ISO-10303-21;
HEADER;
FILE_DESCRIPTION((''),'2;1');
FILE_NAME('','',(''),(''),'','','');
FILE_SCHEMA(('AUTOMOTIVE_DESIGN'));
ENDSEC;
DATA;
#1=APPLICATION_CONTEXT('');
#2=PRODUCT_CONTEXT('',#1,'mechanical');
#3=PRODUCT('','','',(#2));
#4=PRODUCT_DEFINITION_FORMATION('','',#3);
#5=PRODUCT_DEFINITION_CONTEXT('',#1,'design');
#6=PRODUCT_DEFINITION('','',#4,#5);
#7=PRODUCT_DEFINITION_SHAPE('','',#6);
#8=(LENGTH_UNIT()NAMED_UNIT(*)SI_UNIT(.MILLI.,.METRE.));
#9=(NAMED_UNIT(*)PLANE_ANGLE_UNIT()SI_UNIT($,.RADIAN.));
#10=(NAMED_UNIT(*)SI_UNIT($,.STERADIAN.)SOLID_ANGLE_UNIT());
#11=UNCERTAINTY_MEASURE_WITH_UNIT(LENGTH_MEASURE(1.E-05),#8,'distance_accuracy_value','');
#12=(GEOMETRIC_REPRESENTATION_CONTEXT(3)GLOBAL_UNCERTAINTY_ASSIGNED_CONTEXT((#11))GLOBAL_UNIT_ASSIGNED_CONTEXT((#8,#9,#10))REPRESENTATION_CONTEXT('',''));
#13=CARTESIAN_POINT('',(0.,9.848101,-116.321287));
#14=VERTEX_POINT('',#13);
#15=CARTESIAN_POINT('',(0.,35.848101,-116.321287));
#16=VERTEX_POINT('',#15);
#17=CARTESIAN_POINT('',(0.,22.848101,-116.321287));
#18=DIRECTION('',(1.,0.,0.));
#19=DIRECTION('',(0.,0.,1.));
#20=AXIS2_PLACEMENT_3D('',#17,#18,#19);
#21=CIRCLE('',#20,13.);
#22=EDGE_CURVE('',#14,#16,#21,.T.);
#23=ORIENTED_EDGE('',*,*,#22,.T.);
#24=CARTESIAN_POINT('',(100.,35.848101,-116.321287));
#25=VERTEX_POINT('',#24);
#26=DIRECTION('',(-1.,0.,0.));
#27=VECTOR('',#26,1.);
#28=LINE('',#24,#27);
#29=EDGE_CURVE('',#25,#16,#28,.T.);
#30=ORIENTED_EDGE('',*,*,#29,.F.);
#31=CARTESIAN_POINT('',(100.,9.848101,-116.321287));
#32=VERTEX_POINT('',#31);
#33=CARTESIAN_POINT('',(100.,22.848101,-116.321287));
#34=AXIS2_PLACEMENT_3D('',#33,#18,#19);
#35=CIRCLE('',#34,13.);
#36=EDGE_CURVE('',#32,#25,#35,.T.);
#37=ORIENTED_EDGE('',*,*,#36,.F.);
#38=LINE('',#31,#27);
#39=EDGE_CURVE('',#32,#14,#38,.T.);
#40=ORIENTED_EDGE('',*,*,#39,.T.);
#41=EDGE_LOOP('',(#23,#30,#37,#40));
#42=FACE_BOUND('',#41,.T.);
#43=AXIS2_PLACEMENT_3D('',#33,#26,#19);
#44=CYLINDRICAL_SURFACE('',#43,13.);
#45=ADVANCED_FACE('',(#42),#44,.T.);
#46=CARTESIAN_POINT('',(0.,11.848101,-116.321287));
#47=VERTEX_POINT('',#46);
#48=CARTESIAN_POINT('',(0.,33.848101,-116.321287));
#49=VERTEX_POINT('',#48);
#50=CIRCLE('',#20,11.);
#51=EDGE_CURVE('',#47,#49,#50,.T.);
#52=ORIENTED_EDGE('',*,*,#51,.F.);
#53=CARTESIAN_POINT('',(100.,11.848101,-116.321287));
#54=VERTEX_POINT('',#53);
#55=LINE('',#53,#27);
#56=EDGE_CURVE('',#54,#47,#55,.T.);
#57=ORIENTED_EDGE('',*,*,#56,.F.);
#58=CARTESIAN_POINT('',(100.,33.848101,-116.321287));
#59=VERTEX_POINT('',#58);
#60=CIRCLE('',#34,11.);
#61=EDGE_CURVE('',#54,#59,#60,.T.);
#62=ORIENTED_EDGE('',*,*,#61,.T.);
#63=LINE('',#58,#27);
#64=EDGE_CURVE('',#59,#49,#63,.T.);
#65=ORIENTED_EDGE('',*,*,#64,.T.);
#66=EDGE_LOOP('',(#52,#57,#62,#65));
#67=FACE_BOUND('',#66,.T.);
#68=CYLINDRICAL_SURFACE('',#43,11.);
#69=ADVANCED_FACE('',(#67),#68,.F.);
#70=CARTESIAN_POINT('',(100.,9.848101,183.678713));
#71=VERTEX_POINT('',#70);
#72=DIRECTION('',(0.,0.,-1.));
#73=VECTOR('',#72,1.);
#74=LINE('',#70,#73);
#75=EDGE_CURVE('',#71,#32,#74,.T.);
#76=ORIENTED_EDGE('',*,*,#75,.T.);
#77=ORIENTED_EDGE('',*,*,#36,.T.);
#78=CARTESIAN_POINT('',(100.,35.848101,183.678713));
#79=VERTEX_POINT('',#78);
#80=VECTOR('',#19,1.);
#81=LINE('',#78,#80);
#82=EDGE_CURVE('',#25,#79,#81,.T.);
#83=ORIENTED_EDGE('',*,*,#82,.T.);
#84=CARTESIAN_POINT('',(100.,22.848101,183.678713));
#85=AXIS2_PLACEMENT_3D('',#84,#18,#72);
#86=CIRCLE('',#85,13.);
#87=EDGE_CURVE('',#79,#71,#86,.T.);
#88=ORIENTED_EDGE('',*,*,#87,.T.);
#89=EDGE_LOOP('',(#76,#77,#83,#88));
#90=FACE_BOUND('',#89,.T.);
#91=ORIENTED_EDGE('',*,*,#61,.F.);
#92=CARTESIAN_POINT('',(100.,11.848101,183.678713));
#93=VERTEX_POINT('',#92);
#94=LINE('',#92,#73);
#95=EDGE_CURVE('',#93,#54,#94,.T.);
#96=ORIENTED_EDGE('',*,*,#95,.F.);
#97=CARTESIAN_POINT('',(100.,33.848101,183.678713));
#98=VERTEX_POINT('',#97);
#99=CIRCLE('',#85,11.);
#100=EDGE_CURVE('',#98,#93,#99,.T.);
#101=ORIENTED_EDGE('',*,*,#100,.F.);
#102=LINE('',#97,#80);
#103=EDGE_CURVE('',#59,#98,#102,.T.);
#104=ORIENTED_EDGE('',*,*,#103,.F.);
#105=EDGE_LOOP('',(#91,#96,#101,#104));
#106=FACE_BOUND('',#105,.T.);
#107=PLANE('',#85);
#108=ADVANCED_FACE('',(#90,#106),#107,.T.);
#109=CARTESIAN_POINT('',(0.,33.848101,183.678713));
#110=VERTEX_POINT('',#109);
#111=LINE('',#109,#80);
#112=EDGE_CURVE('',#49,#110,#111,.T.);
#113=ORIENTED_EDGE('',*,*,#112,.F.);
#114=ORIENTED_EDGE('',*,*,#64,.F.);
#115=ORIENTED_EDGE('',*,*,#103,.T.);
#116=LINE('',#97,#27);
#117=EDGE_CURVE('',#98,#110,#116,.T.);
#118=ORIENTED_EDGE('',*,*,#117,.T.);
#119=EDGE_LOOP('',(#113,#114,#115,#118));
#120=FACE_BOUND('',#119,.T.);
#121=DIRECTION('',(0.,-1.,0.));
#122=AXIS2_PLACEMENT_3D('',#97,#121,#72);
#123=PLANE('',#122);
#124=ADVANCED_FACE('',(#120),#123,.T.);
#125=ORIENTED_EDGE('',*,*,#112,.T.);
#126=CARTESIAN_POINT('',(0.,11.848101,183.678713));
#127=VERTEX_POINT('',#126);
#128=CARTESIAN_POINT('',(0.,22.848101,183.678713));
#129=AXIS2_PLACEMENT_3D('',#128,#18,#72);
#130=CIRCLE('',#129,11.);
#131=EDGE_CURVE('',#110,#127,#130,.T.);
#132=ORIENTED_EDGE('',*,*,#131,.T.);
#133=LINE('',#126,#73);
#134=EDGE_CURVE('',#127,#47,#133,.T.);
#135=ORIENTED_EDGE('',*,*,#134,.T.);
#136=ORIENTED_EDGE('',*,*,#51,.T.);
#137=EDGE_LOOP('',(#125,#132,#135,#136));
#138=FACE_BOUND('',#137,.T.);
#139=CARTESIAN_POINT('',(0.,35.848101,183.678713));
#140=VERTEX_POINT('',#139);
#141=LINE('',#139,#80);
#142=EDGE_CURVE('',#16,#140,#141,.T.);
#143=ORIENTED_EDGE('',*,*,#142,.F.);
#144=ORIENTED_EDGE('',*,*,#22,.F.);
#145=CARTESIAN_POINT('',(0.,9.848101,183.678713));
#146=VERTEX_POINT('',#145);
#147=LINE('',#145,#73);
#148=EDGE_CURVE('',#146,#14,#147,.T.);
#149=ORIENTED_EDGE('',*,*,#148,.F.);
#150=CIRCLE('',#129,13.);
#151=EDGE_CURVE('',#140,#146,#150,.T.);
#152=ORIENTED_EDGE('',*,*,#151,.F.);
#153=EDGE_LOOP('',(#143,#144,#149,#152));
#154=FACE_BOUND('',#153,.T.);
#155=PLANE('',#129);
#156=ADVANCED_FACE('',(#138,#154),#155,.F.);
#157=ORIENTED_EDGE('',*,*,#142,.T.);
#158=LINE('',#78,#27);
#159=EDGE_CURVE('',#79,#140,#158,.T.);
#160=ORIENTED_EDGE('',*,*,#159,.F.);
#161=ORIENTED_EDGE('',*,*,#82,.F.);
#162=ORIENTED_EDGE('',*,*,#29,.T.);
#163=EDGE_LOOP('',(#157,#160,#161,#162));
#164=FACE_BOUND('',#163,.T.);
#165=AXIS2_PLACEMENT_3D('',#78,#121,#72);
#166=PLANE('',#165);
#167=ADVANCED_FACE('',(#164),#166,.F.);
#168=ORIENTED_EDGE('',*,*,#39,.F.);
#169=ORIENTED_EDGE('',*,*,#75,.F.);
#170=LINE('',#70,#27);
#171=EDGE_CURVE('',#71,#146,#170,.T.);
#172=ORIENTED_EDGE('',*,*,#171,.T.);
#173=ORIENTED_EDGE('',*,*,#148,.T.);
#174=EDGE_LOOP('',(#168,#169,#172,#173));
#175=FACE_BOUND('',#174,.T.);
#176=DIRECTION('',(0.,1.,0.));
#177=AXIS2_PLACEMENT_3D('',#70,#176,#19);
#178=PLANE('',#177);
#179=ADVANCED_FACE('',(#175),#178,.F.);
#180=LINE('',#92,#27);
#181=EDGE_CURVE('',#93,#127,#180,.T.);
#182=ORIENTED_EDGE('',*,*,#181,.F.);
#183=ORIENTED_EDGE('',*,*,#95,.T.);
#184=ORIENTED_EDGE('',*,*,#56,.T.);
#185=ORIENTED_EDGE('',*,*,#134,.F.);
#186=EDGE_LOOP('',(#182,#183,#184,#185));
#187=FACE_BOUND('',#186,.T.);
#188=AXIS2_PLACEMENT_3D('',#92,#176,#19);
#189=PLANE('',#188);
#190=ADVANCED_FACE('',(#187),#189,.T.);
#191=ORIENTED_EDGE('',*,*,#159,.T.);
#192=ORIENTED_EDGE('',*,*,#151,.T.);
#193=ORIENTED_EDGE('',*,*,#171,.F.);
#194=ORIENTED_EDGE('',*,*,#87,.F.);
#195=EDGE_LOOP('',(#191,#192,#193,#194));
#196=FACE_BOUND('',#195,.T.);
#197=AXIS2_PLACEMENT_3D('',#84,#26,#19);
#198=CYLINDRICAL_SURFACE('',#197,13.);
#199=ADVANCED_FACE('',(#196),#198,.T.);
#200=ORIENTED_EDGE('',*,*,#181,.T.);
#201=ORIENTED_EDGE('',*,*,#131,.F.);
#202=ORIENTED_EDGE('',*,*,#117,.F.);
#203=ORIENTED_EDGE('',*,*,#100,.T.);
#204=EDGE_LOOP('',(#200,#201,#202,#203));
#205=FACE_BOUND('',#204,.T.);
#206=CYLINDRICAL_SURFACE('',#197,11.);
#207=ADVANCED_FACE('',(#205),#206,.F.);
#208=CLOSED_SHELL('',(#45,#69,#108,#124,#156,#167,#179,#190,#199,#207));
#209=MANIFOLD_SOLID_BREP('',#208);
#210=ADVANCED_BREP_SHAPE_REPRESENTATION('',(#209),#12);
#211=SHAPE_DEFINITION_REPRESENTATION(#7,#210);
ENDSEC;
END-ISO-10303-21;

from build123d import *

# Parameters (mm, degrees)
BOSS_EXTRUDE1_DEPTH = 100


with BuildPart() as part:
    # Sketch1 → Boss-Extrude1 (new body)
    with BuildSketch(Plane(origin=(0, 0, 0), x_dir=(0, 0, -1), z_dir=(1, 0, 0))):
        with BuildLine():
            Line((-183.678713125, 35.848101266), (116.321286875, 35.848101266))
            ThreePointArc((116.321286875, 35.848101266), (129.321286875, 22.848101266), (116.321286875, 9.848101266))
            Line((116.321286875, 9.848101266), (-183.678713125, 9.848101266))
            ThreePointArc((-183.678713125, 9.848101266), (-196.678713125, 22.848101266), (-183.678713125, 35.848101266))
        make_face()
        with BuildLine():
            Line((-183.678713125, 11.848101266), (116.321286875, 11.848101266))
            ThreePointArc((116.321286875, 11.848101266), (127.321286875, 22.848101266), (116.321286875, 33.848101266))
            Line((116.321286875, 33.848101266), (-183.678713125, 33.848101266))
            ThreePointArc((-183.678713125, 33.848101266), (-194.678713125, 22.848101266), (-183.678713125, 11.848101266))
        make_face(mode=Mode.SUBTRACT)
    extrude(amount=BOSS_EXTRUDE1_DEPTH)


solid = part.part
